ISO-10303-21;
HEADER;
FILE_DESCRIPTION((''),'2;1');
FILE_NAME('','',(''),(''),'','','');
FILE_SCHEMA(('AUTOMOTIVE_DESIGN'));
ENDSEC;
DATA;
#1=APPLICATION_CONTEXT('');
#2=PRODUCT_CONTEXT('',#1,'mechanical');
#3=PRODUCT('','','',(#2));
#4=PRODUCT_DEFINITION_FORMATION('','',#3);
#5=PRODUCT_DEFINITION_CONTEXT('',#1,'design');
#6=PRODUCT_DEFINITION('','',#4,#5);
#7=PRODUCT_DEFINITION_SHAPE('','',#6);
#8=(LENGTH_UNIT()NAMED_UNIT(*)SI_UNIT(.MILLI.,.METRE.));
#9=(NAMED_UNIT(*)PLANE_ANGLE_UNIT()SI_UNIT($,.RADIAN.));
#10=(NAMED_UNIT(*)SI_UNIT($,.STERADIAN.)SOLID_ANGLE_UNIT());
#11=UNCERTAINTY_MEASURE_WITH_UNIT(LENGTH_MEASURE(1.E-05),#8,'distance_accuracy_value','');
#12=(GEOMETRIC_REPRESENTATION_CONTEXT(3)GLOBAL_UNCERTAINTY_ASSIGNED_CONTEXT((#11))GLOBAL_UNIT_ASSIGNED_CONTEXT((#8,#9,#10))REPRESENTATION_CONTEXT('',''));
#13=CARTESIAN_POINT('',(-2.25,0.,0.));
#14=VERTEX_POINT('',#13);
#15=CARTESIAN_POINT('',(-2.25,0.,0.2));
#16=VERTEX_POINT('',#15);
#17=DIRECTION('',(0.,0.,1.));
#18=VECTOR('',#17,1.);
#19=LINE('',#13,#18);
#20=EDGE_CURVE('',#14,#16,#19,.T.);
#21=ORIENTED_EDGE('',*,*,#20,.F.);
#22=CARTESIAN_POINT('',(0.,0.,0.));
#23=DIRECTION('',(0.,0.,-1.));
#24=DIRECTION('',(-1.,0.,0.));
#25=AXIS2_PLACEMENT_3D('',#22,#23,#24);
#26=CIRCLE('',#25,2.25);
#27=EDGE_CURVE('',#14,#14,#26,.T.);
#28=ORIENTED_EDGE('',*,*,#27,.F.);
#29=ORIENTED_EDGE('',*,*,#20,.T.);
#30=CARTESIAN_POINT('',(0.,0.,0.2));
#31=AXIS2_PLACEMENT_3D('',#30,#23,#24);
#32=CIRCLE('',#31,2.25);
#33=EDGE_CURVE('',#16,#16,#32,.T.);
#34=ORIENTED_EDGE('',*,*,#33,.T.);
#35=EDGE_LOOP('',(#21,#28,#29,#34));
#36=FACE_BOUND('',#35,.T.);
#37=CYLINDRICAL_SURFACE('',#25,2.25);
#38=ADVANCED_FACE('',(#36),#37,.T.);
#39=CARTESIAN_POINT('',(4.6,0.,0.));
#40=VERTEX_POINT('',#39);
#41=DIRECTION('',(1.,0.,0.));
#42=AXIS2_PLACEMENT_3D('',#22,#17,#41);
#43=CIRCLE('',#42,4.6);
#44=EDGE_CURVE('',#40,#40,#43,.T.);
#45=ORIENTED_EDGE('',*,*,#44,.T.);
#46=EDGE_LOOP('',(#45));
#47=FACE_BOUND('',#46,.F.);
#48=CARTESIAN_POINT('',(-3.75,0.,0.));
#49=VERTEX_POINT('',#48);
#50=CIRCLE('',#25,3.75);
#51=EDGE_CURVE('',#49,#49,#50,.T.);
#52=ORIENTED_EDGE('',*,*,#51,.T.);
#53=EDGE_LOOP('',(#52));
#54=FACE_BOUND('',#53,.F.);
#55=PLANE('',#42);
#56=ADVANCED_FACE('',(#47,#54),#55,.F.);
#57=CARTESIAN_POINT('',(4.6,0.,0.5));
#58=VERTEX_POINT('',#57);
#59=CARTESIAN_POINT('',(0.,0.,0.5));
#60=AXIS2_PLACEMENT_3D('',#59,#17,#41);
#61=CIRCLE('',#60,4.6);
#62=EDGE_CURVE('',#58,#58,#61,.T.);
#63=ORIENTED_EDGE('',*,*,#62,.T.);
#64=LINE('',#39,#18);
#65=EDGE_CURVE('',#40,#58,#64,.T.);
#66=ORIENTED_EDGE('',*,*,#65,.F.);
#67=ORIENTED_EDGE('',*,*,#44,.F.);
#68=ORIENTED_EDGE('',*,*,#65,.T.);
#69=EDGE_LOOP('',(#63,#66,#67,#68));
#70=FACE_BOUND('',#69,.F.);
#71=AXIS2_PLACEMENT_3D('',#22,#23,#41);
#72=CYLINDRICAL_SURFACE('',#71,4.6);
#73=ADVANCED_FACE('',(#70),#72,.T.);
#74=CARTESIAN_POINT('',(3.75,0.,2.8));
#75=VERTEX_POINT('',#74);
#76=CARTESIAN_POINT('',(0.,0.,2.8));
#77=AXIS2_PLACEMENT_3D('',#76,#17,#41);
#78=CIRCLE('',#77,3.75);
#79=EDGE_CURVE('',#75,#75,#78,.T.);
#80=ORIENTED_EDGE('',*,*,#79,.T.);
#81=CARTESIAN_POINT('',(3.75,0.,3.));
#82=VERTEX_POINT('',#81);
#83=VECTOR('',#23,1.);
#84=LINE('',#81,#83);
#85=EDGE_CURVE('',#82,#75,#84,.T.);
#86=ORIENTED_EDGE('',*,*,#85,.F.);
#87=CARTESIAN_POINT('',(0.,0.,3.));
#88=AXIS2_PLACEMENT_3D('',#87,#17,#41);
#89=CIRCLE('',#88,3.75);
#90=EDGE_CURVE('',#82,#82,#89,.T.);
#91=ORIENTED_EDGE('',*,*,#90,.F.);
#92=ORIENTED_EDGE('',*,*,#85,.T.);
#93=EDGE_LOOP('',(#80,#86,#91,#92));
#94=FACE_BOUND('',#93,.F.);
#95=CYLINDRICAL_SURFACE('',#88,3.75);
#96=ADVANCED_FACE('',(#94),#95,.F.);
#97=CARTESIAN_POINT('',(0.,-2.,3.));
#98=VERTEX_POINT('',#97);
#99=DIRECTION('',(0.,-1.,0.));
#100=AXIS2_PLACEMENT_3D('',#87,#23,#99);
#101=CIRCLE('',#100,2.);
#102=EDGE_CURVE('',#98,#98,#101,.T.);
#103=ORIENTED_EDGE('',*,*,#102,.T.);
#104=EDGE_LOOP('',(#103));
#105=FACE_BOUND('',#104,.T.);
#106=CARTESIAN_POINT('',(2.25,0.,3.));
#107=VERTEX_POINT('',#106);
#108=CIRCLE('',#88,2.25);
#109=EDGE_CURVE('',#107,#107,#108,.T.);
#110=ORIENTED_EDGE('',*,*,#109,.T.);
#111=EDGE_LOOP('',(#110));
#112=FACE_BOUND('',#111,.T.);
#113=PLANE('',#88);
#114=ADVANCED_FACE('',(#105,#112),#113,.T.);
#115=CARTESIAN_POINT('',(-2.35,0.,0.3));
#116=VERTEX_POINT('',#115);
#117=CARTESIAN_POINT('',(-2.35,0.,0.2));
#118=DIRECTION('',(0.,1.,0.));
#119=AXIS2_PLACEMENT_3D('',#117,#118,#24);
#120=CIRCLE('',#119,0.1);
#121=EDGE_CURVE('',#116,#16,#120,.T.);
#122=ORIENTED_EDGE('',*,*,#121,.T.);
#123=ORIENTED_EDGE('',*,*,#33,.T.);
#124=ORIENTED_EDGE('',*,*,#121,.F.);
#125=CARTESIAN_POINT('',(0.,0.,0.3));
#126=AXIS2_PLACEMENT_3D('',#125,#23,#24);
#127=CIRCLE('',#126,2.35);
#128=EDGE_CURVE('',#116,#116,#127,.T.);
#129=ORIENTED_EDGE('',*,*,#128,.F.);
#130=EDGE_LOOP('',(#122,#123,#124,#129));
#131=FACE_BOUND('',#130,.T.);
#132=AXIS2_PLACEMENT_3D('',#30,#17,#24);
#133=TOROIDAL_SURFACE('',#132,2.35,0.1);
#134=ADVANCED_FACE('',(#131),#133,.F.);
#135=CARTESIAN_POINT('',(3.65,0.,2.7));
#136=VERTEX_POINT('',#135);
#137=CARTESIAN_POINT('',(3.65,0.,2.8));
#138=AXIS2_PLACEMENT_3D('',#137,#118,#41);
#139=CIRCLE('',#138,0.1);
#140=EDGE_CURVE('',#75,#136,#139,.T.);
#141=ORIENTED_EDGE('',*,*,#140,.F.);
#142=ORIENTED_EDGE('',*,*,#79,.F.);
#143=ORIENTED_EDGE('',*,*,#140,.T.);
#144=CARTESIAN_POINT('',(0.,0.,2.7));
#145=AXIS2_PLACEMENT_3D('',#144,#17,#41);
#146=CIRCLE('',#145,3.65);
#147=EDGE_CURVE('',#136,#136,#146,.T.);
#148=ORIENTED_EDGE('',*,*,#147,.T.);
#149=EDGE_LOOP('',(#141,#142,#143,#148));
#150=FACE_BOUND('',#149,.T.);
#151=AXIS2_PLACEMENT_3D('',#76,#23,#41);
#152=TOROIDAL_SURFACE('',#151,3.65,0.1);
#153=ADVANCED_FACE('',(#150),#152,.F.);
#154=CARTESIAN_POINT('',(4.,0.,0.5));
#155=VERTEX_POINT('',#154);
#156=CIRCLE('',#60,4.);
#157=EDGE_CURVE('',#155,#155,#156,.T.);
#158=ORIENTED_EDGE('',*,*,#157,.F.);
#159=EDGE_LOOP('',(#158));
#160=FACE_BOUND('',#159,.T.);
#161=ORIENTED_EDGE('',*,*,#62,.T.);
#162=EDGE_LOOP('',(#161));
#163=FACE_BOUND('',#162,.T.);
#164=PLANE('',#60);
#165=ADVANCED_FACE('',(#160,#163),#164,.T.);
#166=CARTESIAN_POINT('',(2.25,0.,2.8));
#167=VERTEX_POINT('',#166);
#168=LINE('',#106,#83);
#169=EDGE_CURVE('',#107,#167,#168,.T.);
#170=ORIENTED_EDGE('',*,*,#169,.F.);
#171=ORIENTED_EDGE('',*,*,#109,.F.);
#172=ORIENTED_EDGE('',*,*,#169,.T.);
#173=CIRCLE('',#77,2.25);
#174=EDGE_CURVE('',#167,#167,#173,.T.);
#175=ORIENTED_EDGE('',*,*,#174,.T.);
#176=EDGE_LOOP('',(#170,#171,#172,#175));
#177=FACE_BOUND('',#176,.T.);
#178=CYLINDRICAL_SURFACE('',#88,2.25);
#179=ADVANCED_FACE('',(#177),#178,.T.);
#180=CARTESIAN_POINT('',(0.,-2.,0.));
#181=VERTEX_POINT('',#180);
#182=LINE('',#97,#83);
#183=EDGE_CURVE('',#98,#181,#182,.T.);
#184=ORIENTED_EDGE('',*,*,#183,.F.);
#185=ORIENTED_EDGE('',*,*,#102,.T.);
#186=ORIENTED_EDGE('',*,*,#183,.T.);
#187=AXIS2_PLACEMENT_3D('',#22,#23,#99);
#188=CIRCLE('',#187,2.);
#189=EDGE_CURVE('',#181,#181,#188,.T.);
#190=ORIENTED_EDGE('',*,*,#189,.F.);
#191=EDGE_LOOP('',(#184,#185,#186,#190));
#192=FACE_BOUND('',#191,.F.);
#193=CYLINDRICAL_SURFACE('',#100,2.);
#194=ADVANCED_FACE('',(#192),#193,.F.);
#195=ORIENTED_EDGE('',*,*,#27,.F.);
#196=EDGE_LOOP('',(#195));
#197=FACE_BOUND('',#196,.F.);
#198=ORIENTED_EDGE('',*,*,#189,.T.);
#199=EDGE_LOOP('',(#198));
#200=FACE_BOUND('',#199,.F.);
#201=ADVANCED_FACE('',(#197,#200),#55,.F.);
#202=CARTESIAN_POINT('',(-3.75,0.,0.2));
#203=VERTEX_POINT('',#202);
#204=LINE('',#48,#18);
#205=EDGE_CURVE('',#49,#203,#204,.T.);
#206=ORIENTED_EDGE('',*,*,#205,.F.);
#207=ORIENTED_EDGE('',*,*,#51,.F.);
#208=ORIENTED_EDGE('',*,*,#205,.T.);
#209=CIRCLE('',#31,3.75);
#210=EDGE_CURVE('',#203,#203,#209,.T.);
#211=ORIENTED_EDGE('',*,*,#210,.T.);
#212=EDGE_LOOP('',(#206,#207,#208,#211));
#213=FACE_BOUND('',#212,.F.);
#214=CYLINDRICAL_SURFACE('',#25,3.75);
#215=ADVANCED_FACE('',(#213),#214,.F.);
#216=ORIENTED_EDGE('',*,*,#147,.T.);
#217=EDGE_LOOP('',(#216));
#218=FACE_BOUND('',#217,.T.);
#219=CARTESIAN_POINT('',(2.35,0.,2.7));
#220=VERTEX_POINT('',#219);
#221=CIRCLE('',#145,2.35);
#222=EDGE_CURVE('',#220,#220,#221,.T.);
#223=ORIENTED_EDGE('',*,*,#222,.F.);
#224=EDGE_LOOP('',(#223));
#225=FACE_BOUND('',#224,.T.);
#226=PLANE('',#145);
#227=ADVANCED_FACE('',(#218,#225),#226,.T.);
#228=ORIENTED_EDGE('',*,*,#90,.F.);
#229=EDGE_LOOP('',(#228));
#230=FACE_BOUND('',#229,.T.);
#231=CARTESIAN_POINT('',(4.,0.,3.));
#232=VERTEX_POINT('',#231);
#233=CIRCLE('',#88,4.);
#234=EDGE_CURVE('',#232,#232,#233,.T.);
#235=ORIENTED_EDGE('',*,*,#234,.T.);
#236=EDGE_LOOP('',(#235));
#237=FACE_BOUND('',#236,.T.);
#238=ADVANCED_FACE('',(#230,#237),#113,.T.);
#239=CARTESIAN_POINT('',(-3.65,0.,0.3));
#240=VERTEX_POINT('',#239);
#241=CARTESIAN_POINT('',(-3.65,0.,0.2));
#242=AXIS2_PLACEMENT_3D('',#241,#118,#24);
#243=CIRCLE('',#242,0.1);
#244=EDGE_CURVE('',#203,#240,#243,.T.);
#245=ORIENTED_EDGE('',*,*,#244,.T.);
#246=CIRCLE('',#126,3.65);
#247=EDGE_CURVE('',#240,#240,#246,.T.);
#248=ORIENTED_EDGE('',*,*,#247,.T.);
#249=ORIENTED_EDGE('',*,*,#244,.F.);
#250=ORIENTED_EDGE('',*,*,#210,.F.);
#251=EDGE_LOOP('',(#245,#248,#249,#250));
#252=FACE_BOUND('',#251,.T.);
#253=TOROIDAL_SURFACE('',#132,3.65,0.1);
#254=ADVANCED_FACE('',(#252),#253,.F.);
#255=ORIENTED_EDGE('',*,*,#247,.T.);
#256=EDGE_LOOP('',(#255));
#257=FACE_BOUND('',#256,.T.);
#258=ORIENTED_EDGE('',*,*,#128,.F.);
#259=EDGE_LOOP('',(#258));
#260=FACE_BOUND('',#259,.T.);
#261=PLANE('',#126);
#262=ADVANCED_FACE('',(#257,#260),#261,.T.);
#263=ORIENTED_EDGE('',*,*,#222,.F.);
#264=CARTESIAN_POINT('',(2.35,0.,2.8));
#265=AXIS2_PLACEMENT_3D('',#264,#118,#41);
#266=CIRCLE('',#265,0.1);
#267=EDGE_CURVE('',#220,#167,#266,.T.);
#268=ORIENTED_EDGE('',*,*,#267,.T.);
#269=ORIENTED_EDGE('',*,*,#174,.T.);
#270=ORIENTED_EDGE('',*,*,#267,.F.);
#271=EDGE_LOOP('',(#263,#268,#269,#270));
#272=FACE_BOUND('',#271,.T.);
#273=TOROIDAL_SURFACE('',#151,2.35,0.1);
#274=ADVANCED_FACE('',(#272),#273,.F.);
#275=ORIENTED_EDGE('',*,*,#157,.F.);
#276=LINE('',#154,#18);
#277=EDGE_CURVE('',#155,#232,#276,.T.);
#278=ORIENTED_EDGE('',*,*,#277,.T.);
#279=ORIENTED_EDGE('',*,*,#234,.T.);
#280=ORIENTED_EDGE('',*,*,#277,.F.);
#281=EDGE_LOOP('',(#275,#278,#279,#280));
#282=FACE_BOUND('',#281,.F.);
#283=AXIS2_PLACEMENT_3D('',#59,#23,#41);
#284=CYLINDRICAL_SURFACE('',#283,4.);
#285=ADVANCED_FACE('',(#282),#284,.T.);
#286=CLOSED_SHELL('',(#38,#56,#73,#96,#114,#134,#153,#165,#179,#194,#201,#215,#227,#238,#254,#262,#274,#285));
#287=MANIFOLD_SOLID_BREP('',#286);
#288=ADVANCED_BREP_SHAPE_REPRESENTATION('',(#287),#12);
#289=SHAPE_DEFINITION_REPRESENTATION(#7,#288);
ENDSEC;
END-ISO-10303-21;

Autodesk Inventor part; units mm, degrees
ref_plane "YZ Plane" through (0, 0, 0) normal (1, 0, 0) x (0, 1, 0)
ref_plane "XZ Plane" through (0, 0, 0) normal (0, 1, 0) x (-1, 0, 0)
ref_plane "XY Plane" through (0, 0, 0) normal (0, 0, 1) x (1, 0, 0)
sketch "スケッチ1" plane through (0, 0, 0) normal (0, 0, 1) x (1, 0, 0)
  circle A0 centre (0, 0) radius 4.6
  dimension "d0" = 9.2
extrude "押し出し1" add sketch "スケッチ1" along normal blind 0.5
sketch "スケッチ2" plane through (0, 0, 0.5) normal (0, 0, 1) x (1, 0, 0)
  circle A0 centre (0, 0) radius 4.6 projected
  circle A1 centre (0, 0) radius 4
  dimension "d3" = 8
extrude "押し出し2" add sketch "スケッチ2" along normal blind 2.5 contours A1
sketch "スケッチ3" plane through (0, 0, 3) normal (0, 0, 1) x (1, 0, 0)
  circle A0 centre (0, 0) radius 4 projected
  circle A1 centre (0, 0) radius 2
  dimension "d6" = 4
hole "穴1" at (0, 0, 3) direction (0, 0, -1) diameter 4 end through all
sketch "スケッチ4" plane through (0, 0, 3) normal (0, 0, 1) x (1, 0, 0)
  circle A0 centre (0, 0) radius 4 projected
  circle A1 centre (0, 0) radius 3.75
  circle A2 centre (0, 0) radius 2.25
  dimension "d14" = 4.5
  dimension "d15" = 7.5
extrude "押し出し3" cut sketch "スケッチ4" against normal blind 0.3 contours A1
sketch "スケッチ5" plane through (0, 0, 0) normal (0, 0, -1) x (-1, 0, 0)
  circle A0 centre (0, 0) radius 4.6 projected
  circle A1 centre (0, 0) radius 3.75
  circle A2 centre (0, 0) radius 2.25
  dimension "d18" = 4.5
  dimension "d19" = 7.5
extrude "押し出し4" cut sketch "スケッチ5" against normal blind 0.3 contours A1
fillet "フィレット1" radius 0.1 4 edges at (2.25, 0, 0.3) (3.75, 0, 0.3) (-2.25, 0, 2.7) (-3.75, 0, 2.7)
properties part number "40" material "ステンレス鋼"
